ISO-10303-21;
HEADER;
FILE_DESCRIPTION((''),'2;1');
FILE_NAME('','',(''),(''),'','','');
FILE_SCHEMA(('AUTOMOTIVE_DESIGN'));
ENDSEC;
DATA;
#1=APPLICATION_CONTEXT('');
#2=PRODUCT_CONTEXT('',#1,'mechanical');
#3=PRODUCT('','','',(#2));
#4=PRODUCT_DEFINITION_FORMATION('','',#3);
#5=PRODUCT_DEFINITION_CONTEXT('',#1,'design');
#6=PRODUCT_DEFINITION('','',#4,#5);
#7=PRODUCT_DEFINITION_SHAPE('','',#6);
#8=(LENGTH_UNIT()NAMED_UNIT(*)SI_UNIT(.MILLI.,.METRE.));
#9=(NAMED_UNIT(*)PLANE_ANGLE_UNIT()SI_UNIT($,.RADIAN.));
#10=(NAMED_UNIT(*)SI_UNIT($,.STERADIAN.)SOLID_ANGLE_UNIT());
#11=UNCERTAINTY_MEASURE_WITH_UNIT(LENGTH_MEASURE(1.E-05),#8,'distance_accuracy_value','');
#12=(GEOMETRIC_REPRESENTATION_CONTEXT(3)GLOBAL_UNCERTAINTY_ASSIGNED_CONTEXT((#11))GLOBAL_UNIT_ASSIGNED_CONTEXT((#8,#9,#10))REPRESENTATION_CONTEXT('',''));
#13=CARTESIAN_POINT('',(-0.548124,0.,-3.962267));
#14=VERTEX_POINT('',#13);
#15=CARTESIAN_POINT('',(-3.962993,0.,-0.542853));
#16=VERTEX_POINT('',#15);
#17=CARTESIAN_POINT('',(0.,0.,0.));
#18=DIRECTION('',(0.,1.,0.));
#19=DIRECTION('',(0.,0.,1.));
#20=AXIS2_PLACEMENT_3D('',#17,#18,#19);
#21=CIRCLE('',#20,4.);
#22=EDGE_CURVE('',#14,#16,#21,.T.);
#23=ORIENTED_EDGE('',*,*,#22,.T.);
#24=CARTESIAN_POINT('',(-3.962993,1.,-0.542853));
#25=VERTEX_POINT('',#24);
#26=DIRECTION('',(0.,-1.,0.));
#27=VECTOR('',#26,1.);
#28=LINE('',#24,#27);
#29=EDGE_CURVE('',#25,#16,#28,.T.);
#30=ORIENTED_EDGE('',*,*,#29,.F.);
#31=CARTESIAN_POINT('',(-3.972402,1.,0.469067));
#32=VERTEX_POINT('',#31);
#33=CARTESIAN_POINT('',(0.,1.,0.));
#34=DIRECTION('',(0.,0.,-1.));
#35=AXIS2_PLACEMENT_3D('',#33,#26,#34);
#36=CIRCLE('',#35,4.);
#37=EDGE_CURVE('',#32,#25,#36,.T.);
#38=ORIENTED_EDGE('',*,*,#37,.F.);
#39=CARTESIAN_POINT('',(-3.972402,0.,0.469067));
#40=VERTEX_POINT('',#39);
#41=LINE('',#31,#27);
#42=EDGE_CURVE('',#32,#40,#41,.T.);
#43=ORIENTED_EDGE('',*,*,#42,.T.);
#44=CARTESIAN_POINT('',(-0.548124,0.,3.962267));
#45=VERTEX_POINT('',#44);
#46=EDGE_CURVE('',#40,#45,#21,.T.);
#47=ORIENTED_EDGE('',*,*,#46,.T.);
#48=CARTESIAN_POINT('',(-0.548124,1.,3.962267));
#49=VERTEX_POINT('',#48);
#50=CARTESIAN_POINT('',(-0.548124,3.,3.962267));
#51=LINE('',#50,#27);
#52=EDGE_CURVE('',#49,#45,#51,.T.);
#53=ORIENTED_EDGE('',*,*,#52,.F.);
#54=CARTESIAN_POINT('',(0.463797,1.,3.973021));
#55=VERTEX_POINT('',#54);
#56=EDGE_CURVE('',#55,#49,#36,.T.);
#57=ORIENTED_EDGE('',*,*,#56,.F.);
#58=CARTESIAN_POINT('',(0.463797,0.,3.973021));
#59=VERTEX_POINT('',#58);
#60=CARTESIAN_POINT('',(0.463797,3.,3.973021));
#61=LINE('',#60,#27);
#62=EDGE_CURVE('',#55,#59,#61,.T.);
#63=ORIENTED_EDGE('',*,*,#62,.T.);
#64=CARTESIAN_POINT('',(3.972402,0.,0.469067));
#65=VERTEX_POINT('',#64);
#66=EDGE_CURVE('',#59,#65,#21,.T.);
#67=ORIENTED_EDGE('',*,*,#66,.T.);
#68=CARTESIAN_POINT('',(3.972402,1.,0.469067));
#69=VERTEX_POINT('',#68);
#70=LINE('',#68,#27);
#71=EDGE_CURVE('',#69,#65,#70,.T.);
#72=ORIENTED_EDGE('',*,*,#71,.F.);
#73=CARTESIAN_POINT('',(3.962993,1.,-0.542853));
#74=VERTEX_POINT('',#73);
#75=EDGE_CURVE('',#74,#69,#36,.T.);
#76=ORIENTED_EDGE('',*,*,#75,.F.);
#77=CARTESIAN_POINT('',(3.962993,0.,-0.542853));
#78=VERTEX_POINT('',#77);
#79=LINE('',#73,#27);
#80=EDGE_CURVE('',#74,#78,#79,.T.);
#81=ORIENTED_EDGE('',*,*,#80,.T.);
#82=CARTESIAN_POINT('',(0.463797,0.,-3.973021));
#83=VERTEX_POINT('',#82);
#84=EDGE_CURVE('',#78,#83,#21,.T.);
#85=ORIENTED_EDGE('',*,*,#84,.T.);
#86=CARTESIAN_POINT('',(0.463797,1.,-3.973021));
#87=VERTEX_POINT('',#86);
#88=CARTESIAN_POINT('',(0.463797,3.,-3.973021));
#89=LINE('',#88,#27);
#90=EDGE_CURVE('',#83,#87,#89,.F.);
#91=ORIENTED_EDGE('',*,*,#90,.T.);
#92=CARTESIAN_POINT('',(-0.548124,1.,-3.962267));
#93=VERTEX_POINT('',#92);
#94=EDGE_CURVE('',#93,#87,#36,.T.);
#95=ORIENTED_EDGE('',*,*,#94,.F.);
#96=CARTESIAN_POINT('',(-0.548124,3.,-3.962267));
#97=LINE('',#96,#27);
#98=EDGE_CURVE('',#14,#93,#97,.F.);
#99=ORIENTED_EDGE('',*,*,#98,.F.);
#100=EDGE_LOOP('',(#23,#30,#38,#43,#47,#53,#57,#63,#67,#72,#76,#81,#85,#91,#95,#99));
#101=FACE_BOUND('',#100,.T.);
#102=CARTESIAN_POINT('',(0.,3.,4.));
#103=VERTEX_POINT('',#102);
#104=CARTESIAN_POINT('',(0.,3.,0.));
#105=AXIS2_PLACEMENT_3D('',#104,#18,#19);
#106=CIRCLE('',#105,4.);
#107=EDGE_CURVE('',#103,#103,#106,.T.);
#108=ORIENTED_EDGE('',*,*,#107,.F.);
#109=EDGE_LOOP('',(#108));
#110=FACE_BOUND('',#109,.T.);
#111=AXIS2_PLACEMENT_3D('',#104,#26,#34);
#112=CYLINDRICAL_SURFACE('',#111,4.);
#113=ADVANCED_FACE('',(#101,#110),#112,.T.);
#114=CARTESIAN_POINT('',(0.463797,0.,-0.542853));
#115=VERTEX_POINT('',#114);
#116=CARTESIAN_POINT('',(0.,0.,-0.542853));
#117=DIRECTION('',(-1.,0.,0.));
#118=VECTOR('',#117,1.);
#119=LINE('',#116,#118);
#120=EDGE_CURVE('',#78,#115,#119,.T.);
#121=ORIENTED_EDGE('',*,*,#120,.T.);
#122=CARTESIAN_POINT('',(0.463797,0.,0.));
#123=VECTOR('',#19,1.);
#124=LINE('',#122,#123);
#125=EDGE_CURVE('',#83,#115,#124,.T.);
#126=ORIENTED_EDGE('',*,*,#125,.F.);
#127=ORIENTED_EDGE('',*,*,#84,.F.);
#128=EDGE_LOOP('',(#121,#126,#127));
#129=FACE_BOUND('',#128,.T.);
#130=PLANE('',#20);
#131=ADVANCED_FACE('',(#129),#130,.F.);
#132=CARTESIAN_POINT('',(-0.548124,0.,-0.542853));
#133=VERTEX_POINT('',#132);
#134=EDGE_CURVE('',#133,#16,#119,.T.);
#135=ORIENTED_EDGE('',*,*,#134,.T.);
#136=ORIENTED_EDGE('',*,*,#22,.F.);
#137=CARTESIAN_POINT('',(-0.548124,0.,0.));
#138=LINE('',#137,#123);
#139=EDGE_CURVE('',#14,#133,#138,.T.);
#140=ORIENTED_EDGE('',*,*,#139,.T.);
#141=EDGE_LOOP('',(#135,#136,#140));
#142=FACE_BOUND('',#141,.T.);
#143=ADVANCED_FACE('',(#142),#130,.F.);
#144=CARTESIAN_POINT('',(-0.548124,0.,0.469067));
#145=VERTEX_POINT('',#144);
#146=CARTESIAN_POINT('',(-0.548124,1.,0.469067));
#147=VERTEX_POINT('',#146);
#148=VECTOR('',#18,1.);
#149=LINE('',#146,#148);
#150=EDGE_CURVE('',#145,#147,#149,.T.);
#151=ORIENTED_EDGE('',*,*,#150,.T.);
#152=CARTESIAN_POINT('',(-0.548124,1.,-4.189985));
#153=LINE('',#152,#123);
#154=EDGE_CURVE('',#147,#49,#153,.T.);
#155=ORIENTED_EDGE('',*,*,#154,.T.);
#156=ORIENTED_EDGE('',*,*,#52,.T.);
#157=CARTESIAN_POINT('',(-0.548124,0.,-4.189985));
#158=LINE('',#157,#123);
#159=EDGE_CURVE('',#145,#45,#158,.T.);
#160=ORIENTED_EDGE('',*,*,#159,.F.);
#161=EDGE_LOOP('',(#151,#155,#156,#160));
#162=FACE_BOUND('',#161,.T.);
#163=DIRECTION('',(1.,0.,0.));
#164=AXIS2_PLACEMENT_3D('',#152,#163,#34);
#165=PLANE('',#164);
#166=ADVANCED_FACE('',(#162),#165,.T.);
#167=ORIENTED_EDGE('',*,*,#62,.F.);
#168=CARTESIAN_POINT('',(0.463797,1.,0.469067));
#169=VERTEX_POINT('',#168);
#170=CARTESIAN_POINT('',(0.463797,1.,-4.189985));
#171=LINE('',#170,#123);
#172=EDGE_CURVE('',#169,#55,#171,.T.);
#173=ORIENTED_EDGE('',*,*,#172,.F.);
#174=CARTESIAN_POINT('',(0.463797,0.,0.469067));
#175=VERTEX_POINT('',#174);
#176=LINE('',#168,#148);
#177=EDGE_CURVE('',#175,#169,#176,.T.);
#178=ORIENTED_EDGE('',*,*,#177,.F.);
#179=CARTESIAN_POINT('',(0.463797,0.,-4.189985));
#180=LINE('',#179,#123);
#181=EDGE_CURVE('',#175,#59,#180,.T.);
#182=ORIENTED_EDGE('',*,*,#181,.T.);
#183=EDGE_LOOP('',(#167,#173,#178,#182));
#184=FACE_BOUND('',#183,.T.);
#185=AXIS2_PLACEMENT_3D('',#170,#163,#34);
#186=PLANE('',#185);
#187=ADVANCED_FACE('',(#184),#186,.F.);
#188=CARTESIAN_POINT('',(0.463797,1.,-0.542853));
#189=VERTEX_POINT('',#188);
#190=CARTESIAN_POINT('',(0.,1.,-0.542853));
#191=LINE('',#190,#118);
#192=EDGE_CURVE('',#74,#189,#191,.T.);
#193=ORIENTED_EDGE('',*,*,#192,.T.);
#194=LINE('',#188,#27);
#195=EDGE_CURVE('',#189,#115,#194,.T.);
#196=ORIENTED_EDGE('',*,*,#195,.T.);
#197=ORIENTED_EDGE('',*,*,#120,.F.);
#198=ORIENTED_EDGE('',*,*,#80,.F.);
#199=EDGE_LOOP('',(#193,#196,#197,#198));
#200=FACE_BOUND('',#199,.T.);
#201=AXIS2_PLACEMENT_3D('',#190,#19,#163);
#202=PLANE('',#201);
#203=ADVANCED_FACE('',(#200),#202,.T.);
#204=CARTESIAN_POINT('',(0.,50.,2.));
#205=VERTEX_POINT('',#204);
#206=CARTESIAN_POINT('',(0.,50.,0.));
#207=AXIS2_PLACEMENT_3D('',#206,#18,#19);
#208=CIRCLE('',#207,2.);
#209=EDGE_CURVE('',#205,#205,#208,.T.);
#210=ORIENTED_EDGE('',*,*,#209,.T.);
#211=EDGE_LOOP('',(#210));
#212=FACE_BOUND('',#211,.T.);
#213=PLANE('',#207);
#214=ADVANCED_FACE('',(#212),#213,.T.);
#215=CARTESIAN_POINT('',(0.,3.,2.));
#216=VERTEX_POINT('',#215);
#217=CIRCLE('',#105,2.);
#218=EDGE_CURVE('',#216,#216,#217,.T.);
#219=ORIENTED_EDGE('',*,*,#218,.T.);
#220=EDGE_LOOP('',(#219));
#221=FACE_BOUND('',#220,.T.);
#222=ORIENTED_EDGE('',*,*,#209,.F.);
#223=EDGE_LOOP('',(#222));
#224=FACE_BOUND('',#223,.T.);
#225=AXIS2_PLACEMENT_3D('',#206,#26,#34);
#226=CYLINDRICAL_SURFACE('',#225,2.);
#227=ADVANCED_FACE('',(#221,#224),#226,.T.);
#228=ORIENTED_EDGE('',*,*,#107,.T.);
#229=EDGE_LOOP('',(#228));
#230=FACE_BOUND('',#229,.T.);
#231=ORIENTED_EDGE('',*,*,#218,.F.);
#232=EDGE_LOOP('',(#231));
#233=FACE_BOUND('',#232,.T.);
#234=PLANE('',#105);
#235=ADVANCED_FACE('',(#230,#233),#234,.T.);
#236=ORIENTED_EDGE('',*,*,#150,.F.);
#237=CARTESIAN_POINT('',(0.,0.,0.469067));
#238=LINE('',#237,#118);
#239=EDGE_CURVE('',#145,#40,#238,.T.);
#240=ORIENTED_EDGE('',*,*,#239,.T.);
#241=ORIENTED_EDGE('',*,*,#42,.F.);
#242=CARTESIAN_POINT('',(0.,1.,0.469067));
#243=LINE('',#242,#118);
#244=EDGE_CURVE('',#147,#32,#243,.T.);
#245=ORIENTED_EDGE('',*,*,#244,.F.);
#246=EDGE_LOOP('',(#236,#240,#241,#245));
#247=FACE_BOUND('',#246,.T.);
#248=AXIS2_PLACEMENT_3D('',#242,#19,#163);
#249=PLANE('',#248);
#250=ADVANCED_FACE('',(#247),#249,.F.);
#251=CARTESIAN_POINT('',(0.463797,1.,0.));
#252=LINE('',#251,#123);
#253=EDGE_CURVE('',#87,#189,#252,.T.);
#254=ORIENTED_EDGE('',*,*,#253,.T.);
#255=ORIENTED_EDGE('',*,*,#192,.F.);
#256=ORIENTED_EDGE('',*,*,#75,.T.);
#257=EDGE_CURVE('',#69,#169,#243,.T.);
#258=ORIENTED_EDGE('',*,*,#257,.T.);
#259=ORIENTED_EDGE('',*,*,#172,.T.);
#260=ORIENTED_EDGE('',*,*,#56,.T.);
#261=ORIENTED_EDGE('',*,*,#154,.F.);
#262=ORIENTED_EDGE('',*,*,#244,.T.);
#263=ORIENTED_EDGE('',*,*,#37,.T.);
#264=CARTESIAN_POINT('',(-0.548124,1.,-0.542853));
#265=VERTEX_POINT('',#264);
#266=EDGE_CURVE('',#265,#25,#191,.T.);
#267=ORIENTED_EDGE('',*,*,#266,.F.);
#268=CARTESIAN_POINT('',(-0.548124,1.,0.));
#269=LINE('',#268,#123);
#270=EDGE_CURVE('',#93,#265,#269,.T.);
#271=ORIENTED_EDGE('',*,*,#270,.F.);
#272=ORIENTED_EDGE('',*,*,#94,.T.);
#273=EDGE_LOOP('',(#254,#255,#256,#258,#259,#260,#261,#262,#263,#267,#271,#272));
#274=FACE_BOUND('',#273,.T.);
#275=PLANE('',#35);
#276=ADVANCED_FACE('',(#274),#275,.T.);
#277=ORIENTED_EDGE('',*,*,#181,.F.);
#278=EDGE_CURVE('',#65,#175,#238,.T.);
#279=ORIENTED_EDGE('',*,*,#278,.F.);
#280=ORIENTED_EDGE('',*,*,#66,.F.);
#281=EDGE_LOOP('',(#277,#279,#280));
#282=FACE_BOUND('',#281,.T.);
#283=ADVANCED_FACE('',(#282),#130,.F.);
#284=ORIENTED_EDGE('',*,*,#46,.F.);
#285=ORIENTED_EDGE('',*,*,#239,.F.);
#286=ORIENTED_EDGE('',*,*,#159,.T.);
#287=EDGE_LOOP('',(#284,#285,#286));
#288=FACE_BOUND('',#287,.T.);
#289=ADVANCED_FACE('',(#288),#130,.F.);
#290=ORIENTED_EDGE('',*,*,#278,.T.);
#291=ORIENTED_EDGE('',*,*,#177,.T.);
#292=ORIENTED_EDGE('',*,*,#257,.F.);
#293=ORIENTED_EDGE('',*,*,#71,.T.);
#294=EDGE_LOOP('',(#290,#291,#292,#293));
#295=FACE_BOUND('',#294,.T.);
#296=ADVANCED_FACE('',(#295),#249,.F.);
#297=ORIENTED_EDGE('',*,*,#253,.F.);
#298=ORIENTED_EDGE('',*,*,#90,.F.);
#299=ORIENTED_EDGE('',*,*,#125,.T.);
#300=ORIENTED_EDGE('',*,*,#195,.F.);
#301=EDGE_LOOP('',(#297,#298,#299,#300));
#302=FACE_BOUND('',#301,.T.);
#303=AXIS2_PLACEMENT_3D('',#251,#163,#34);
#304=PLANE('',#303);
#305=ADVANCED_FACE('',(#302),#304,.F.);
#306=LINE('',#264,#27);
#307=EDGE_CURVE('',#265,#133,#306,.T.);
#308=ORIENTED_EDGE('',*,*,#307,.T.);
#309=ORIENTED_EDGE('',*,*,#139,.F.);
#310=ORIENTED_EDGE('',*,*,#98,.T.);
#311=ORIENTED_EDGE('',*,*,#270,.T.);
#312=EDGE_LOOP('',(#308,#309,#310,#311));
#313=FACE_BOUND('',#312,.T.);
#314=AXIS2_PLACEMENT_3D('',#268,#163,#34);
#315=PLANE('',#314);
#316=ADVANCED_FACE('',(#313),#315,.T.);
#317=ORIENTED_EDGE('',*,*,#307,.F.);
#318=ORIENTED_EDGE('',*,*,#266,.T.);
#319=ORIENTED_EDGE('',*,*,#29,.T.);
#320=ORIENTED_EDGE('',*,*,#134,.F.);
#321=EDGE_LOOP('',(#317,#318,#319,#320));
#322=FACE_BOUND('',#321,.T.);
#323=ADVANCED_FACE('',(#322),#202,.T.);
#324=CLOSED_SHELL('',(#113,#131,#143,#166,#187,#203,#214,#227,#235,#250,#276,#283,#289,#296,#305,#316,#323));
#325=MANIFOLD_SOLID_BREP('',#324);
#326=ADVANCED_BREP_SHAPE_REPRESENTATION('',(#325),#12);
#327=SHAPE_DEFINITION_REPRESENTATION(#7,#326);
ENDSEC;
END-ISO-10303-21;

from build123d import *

# Parameters (mm, degrees)
SKETCH1_R           = 4
SKETCH1_R_2         = 2
BOSS_EXTRUDE1_DEPTH = 3
SKETCH1_3_R         = 2
BOSS_EXTRUDE2_DEPTH = 50
CUT_EXTRUDE1_DEPTH  = 1


with BuildPart() as part:
    # Sketch1 → Boss-Extrude1 (new body)
    with BuildSketch(Plane(origin=(0, 0, 0), x_dir=(1, 0, 0), z_dir=(0, 1, 0))):
        Circle(SKETCH1_R)
        Circle(SKETCH1_R_2, mode=Mode.SUBTRACT)
    extrude(amount=BOSS_EXTRUDE1_DEPTH)

    # Sketch1<3> → Boss-Extrude2 (add)
    with BuildSketch(Plane(origin=(0, 0, 0), x_dir=(1, 0, 0), z_dir=(0, 1, 0))):
        Circle(SKETCH1_3_R)
    extrude(amount=BOSS_EXTRUDE2_DEPTH)

    # Sketch2 → Cut-Extrude1 (cut)
    with BuildSketch(Plane(origin=(0, 0, 0), x_dir=(-1, 0, 0), z_dir=(0, -1, 0))):
        with BuildLine():
            Line((0.548123782, 4.189984677), (-0.463797046, 4.189984677))
            Line((-0.463797046, 4.189984677), (-0.463797046, 0.542853361))
            Line((-0.463797046, 0.542853361), (-3.962992585, 0.542853361))
            ThreePointArc((-3.962992585, 0.542853361), (-3.999827093, 0.037191701), (-3.972401756, -0.469067467))
            Line((-3.972401756, -0.469067467), (-0.463797046, -0.469067467))
            Line((-0.463797046, -0.469067467), (-0.463797046, -4.337556464))
            Line((-0.463797046, -4.337556464), (0.548123782, -4.337556464))
            Line((0.548123782, -4.337556464), (0.548123782, -0.469067467))
            Line((0.548123782, -0.469067467), (3.972401756, -0.469067467))
            ThreePointArc((3.972401756, -0.469067467), (3.999827093, 0.037191701), (3.962992585, 0.542853361))
            Line((3.962992585, 0.542853361), (0.548123782, 0.542853361))
            Line((0.548123782, 0.542853361), (0.548123782, 4.189984677))
        make_face()
    extrude(amount=-CUT_EXTRUDE1_DEPTH, mode=Mode.SUBTRACT)


solid = part.part
